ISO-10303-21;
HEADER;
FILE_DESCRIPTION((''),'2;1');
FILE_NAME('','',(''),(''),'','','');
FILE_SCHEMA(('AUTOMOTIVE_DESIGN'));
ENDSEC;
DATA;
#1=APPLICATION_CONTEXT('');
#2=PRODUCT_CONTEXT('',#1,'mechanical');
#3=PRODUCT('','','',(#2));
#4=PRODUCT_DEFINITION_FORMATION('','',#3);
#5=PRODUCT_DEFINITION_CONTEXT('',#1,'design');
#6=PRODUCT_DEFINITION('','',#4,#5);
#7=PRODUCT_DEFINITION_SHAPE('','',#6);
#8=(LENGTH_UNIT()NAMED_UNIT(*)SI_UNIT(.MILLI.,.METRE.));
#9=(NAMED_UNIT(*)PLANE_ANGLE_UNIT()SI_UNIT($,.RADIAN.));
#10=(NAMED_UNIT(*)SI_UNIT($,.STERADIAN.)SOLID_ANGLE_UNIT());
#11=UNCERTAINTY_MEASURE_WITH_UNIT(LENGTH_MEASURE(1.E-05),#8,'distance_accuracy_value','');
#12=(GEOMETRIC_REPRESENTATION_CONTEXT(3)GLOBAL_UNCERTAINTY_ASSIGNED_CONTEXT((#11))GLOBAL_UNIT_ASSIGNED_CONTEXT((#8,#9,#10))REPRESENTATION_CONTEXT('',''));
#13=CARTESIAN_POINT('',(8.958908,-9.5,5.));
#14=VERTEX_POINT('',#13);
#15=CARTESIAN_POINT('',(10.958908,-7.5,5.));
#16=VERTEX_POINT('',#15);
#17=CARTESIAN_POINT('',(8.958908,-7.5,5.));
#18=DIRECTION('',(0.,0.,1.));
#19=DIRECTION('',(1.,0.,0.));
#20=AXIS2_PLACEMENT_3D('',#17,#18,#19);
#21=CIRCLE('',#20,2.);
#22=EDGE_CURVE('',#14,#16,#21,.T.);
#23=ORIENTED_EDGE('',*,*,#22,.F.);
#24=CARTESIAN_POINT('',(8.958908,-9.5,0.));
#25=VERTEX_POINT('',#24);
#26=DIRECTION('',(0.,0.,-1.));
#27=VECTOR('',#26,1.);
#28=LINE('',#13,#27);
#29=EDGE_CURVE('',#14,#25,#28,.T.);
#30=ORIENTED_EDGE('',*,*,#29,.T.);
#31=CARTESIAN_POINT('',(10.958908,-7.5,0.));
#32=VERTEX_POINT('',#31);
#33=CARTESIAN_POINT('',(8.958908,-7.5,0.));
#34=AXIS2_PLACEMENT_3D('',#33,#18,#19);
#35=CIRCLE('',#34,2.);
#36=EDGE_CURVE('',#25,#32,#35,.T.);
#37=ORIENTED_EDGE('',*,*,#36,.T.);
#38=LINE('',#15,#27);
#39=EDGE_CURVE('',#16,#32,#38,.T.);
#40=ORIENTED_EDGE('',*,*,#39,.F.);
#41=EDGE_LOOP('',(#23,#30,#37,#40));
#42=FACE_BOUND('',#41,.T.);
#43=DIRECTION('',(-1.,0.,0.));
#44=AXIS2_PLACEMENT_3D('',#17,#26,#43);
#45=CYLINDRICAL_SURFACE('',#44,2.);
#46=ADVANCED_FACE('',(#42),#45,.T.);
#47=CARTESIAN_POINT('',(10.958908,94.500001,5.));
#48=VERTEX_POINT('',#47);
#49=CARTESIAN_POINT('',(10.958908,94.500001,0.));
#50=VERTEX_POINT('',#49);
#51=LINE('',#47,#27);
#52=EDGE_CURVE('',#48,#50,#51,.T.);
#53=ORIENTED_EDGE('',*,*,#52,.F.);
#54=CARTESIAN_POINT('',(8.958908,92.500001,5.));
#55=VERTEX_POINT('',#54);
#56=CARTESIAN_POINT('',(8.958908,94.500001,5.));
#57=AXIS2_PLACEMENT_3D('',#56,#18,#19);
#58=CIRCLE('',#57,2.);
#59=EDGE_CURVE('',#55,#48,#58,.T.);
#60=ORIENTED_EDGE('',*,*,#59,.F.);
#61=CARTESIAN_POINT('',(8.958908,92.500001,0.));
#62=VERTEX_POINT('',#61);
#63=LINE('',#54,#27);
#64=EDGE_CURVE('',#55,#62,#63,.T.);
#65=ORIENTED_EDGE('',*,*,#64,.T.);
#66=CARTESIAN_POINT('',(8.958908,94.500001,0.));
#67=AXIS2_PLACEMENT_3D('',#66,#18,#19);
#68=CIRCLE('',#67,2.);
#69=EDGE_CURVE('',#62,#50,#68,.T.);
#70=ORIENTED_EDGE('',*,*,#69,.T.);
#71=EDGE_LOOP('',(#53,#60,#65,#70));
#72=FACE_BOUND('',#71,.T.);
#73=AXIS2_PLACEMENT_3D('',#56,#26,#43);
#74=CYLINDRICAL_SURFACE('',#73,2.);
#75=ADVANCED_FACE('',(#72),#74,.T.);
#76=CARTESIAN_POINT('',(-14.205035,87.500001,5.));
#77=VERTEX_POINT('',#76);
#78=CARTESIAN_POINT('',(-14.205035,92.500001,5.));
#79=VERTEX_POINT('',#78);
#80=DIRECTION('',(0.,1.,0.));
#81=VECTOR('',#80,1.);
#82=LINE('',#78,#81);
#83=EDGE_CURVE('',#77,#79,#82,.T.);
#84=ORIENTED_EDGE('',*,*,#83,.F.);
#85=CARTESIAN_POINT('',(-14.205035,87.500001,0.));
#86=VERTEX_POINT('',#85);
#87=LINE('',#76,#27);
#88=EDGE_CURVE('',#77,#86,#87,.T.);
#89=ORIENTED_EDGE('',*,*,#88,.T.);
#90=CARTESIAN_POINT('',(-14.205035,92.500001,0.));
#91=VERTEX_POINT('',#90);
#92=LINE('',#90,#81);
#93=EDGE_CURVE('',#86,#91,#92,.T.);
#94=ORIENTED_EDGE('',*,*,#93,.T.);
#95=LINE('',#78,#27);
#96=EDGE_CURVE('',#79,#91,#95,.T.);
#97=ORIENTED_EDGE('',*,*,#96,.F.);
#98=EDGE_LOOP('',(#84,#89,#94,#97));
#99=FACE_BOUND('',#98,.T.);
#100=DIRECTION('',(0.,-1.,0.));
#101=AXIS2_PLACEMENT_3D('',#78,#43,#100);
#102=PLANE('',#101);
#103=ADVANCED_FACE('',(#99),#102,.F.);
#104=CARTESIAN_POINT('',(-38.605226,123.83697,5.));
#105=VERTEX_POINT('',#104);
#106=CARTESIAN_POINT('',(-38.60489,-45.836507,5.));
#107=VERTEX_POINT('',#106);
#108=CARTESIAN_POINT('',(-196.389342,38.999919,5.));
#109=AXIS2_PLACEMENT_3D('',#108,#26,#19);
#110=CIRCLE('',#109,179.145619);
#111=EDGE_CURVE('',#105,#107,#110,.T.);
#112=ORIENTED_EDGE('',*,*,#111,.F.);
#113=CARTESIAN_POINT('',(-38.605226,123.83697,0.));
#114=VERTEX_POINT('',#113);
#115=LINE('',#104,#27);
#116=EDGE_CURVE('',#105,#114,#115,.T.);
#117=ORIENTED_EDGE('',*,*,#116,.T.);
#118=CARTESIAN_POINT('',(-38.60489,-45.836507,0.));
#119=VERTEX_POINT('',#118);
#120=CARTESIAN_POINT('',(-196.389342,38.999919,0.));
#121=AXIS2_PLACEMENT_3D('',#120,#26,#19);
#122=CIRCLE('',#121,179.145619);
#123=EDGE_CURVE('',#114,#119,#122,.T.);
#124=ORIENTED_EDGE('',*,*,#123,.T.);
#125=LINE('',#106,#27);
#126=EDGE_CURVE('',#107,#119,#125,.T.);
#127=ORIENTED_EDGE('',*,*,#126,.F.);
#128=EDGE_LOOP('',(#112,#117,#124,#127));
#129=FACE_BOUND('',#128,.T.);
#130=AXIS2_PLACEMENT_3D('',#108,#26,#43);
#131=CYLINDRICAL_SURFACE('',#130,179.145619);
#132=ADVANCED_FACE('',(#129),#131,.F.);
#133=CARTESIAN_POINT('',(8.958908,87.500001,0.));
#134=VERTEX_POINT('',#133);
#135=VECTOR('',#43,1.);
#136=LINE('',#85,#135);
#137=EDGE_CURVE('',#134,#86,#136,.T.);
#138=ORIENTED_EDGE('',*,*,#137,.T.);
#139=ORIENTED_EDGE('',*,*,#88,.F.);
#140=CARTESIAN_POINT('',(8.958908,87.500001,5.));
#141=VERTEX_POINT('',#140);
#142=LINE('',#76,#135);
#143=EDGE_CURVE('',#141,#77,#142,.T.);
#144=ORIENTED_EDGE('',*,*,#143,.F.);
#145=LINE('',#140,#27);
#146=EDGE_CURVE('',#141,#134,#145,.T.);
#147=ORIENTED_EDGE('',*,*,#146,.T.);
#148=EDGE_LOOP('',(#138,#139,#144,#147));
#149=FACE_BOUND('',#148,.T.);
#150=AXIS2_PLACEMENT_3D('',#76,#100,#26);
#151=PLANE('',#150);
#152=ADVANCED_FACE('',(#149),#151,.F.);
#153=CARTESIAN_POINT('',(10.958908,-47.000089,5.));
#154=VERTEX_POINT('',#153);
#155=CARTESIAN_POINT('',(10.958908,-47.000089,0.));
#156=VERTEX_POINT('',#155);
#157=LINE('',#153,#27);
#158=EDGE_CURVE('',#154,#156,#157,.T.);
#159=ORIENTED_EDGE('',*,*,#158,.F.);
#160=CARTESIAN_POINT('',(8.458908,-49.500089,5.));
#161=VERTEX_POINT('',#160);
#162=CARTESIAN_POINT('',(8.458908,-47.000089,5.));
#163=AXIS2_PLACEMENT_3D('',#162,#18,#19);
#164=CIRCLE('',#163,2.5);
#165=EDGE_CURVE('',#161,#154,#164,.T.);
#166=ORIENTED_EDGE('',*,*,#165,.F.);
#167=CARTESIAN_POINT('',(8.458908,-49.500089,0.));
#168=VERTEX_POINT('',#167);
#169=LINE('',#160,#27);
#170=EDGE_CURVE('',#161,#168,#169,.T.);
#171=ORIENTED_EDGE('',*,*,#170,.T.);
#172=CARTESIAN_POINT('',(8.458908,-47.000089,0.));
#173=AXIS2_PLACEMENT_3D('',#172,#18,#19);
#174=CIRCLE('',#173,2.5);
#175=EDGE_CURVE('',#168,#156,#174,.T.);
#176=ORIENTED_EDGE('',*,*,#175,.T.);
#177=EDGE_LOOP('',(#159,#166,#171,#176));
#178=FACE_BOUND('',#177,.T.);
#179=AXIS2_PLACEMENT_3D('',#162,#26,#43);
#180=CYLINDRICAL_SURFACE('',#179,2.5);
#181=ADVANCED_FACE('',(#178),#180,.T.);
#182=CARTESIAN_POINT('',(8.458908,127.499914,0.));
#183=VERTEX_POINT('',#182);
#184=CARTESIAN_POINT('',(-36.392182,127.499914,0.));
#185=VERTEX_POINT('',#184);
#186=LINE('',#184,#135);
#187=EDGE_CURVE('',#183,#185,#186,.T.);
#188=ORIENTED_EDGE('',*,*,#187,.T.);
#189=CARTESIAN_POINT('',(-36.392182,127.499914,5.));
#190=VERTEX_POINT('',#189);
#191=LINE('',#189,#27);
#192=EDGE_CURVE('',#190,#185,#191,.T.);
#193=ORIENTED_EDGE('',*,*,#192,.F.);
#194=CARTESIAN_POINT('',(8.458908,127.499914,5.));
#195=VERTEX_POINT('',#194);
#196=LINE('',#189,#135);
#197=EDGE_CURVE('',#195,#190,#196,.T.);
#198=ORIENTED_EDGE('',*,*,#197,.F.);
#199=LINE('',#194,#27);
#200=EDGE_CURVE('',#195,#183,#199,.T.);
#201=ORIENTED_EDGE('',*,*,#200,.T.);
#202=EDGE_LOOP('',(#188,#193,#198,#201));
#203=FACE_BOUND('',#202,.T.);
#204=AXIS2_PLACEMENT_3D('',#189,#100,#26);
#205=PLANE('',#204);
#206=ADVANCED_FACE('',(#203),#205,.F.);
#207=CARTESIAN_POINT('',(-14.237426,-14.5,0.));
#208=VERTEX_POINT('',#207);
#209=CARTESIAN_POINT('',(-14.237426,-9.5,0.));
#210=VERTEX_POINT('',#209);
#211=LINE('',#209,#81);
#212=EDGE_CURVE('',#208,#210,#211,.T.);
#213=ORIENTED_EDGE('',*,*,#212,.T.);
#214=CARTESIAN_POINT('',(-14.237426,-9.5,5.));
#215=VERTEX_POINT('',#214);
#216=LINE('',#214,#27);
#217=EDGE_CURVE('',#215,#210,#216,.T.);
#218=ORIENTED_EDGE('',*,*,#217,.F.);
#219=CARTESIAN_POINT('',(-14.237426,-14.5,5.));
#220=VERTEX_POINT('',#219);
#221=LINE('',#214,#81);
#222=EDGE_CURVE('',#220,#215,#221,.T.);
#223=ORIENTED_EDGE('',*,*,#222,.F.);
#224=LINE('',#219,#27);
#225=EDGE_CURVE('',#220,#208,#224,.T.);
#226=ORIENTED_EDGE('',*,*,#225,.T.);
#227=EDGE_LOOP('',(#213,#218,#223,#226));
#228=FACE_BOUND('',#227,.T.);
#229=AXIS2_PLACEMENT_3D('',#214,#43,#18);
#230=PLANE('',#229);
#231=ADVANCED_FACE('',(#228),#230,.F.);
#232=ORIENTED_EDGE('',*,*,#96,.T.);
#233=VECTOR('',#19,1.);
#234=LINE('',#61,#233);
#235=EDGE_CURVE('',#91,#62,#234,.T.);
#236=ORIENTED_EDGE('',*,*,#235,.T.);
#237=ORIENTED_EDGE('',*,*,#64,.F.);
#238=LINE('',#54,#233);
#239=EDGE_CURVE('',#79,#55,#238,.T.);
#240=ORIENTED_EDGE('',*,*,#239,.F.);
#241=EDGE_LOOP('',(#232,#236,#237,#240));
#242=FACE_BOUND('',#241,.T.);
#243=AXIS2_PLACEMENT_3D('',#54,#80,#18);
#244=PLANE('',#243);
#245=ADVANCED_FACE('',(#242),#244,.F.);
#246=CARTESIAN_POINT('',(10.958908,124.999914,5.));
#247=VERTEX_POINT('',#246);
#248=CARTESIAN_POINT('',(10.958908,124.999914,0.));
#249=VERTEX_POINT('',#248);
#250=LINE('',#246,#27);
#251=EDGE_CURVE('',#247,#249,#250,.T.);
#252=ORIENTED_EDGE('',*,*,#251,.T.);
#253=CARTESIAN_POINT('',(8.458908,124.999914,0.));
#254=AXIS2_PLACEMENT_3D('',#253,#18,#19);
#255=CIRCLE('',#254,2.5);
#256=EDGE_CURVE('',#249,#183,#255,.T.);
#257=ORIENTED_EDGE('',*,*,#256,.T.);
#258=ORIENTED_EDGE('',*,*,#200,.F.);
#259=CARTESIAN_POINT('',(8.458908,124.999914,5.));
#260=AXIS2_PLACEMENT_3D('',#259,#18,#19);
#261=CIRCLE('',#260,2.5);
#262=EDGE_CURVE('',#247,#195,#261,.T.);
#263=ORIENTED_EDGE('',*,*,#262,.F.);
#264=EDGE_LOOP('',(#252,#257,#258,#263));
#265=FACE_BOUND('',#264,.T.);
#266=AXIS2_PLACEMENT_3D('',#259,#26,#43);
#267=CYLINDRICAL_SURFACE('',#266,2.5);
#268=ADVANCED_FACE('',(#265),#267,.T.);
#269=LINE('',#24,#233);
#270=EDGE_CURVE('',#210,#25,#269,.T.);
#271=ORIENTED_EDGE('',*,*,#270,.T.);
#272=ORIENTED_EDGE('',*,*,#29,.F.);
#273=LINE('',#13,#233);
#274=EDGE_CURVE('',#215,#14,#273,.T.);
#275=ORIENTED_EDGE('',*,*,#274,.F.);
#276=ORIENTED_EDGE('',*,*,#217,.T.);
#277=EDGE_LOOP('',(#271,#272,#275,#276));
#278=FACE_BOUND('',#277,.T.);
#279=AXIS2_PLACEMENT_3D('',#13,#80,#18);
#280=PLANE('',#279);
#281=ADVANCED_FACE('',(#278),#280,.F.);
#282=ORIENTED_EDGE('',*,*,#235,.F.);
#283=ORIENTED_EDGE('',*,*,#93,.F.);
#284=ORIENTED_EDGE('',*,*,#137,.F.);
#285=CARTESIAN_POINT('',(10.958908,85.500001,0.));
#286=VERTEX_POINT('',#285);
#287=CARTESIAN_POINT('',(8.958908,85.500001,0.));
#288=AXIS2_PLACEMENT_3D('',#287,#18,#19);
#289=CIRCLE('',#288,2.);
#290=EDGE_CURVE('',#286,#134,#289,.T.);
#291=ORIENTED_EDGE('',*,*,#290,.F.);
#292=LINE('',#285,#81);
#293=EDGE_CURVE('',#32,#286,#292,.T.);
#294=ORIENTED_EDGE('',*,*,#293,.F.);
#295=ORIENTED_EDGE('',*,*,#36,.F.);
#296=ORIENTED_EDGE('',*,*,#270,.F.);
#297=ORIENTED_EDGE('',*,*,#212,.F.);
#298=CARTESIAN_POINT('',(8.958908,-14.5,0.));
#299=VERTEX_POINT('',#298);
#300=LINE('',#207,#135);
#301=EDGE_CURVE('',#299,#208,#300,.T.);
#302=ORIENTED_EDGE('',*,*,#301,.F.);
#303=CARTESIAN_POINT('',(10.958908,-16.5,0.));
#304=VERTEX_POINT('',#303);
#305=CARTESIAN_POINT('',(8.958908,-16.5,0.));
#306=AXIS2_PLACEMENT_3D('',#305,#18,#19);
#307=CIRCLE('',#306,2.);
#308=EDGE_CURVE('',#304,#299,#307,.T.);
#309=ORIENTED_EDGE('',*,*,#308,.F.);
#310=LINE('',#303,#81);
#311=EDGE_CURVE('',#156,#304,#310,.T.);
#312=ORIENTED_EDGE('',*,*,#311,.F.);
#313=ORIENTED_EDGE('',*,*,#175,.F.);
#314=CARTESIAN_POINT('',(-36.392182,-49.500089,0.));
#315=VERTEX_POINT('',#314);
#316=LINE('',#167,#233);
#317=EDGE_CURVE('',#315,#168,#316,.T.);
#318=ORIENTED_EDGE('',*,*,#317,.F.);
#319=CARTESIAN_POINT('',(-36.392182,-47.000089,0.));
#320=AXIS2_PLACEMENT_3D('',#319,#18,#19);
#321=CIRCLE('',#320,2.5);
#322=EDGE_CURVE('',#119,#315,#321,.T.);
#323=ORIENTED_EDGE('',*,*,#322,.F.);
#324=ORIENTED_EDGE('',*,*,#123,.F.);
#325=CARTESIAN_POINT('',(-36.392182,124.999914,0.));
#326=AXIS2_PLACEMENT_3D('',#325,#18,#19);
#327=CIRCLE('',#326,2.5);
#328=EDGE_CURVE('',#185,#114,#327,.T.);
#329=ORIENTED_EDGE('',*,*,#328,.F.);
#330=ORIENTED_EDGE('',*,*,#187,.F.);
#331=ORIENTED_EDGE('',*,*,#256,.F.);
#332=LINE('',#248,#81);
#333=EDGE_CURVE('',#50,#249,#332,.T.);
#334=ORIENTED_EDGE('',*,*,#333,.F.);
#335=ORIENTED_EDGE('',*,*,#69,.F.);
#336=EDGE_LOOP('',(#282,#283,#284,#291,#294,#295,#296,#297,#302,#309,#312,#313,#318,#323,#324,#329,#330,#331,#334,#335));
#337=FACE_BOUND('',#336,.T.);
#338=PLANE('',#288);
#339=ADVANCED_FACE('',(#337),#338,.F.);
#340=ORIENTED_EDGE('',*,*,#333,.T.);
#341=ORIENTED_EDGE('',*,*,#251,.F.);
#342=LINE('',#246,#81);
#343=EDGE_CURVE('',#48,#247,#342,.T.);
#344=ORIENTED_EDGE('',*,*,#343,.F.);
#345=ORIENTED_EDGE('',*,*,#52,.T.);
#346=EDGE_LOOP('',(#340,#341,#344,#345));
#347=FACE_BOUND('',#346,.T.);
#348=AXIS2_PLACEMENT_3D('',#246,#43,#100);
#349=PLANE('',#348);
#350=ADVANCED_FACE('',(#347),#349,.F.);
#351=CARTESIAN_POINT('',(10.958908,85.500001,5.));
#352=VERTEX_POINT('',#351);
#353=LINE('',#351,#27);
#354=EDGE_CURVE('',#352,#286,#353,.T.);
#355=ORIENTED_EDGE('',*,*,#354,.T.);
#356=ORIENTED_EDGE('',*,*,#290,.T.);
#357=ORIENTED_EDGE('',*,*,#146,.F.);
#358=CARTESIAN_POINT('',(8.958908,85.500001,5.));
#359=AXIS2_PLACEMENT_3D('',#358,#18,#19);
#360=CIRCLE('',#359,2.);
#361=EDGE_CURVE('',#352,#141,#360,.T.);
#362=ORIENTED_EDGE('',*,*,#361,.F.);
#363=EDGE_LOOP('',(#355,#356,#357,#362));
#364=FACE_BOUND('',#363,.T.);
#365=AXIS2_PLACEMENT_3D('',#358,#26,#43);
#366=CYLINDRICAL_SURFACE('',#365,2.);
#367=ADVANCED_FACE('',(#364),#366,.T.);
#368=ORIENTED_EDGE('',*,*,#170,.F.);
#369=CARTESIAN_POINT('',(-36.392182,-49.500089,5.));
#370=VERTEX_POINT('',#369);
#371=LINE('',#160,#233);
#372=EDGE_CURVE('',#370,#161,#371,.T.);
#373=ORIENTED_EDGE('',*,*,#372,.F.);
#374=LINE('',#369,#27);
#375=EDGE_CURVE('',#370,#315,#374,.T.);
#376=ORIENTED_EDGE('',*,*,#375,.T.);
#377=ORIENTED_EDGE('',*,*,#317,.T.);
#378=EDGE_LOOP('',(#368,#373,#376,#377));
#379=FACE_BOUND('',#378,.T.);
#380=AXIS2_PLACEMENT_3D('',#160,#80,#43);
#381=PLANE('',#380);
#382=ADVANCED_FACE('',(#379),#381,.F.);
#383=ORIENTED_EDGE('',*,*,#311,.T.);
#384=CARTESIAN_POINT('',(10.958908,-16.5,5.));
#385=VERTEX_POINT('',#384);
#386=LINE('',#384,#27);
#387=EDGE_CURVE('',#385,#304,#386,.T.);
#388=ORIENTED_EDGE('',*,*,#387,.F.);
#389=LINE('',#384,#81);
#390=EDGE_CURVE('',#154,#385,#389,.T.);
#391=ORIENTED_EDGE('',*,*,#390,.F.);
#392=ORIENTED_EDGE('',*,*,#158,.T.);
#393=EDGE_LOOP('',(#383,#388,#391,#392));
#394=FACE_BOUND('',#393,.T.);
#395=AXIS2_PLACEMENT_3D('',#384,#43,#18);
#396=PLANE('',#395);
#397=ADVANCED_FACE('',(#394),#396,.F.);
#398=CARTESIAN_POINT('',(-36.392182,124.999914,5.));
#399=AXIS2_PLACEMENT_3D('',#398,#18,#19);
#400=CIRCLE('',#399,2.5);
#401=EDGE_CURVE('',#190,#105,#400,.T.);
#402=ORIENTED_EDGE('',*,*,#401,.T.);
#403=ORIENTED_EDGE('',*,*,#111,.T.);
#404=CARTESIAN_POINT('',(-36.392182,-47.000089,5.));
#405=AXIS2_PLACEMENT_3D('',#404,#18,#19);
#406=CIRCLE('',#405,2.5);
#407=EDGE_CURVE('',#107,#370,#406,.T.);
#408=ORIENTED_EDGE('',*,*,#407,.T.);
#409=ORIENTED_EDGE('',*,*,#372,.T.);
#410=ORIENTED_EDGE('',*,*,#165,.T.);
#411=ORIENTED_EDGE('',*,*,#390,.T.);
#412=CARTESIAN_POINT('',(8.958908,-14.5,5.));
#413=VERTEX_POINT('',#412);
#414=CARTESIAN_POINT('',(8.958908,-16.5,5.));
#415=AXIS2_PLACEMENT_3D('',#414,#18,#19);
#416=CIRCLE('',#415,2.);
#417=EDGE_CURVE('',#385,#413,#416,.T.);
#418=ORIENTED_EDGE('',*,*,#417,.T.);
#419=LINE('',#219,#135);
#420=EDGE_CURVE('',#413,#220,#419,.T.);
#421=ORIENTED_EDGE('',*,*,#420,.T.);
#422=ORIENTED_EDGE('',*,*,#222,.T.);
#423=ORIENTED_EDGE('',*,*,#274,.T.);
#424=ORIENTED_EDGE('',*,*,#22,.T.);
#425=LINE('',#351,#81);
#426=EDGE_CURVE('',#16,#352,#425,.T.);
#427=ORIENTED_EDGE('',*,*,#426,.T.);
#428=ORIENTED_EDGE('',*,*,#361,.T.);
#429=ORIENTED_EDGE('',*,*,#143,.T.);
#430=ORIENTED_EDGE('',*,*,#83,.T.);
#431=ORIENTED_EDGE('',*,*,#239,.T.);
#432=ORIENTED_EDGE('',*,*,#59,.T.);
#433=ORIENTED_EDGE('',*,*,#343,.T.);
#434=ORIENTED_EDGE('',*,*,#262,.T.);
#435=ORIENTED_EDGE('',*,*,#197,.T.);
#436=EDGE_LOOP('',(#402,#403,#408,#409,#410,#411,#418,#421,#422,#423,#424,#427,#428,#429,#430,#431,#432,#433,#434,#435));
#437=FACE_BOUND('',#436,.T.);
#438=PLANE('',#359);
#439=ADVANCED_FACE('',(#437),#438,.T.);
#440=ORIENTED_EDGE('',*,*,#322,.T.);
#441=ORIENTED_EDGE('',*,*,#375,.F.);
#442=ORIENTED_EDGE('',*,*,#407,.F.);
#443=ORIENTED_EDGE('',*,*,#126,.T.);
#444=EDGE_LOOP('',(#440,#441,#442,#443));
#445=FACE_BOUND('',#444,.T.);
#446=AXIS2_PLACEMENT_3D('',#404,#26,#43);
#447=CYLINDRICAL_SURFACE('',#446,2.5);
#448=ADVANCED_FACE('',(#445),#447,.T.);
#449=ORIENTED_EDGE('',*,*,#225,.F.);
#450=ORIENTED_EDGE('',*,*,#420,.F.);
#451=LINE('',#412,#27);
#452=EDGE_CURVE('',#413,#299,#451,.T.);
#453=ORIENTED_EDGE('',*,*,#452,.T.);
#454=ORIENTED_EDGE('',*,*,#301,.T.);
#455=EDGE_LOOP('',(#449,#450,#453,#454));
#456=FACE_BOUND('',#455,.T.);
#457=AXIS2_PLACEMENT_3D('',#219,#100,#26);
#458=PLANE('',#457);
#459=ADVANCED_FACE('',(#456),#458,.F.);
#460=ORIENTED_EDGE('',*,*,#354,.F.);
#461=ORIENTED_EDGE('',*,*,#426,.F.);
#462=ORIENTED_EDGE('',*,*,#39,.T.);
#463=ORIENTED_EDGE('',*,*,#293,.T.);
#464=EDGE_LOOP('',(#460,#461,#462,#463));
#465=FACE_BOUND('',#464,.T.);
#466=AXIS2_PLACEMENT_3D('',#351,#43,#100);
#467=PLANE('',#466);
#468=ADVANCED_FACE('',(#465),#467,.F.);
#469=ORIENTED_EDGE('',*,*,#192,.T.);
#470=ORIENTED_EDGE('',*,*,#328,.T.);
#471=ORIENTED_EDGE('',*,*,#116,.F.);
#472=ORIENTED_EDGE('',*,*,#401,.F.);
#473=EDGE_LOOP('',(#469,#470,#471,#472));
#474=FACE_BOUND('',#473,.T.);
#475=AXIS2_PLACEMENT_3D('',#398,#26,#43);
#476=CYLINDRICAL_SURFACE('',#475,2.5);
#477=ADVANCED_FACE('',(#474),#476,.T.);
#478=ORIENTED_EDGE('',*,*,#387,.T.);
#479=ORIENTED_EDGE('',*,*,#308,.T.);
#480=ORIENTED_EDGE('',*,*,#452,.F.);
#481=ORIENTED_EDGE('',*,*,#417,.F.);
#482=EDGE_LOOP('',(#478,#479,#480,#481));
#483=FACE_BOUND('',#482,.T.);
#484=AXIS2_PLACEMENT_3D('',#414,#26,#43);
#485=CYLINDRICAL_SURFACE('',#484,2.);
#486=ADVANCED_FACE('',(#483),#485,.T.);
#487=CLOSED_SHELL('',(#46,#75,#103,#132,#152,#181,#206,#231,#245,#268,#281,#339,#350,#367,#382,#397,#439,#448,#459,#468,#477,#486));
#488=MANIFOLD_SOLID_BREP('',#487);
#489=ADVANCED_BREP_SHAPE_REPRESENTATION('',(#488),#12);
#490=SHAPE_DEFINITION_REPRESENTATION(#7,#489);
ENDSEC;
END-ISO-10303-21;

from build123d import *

# Parameters (mm, degrees)
RESSALTO_EXTRUS_O1_DEPTH = 5


with BuildPart() as part:
    # Model → Ressalto-extrusão1 (new body)
    with BuildSketch(Plane.XY):
        with BuildLine():
            Line((8.958908168, 92.500001378), (-14.205034542, 92.500001378))
            Line((-14.205034542, 92.500001378), (-14.205034542, 87.500001303))
            Line((-14.205034542, 87.500001303), (8.958908168, 87.500001303))
            ThreePointArc((8.958908168, 87.500001303), (10.37312173, 86.914214866), (10.958908168, 85.500001303))
            Line((10.958908168, 85.500001303), (10.958908168, -7.500000142))
            ThreePointArc((10.958908168, -7.500000142), (10.37312173, -8.914213705), (8.958908168, -9.500000142))
            Line((8.958908168, -9.500000142), (-14.237425511, -9.500000142))
            Line((-14.237425511, -9.500000142), (-14.237425511, -14.500000217))
            Line((-14.237425511, -14.500000217), (8.958908168, -14.500000217))
            ThreePointArc((8.958908168, -14.500000217), (10.37312173, -15.085786654), (10.958908168, -16.500000217))
            Line((10.958908168, -16.500000217), (10.958908168, -47.000089001))
            ThreePointArc((10.958908168, -47.000089001), (10.226675121, -48.767855954), (8.458908168, -49.500089001))
            Line((8.458908168, -49.500089001), (-36.392181846, -49.500089001))
            ThreePointArc((-36.392181846, -49.500089001), (-38.532153082, -48.292576181), (-38.604890155, -45.836507488))
            ThreePointArc((-38.604890155, -45.836507488), (-17.243723681, 39.000273479), (-38.605225502, 123.836970009))
            ThreePointArc((-38.605225502, 123.836970009), (-38.53196676, 126.292709214), (-36.392181846, 127.499913592))
            Line((-36.392181846, 127.499913592), (8.458908168, 127.499913592))
            ThreePointArc((8.458908168, 127.499913592), (10.226675121, 126.767680545), (10.958908168, 124.999913592))
            Line((10.958908168, 124.999913592), (10.958908168, 94.500001378))
            ThreePointArc((10.958908168, 94.500001378), (10.37312173, 93.085787815), (8.958908168, 92.500001378))
        make_face()
    extrude(amount=RESSALTO_EXTRUS_O1_DEPTH)


solid = part.part
